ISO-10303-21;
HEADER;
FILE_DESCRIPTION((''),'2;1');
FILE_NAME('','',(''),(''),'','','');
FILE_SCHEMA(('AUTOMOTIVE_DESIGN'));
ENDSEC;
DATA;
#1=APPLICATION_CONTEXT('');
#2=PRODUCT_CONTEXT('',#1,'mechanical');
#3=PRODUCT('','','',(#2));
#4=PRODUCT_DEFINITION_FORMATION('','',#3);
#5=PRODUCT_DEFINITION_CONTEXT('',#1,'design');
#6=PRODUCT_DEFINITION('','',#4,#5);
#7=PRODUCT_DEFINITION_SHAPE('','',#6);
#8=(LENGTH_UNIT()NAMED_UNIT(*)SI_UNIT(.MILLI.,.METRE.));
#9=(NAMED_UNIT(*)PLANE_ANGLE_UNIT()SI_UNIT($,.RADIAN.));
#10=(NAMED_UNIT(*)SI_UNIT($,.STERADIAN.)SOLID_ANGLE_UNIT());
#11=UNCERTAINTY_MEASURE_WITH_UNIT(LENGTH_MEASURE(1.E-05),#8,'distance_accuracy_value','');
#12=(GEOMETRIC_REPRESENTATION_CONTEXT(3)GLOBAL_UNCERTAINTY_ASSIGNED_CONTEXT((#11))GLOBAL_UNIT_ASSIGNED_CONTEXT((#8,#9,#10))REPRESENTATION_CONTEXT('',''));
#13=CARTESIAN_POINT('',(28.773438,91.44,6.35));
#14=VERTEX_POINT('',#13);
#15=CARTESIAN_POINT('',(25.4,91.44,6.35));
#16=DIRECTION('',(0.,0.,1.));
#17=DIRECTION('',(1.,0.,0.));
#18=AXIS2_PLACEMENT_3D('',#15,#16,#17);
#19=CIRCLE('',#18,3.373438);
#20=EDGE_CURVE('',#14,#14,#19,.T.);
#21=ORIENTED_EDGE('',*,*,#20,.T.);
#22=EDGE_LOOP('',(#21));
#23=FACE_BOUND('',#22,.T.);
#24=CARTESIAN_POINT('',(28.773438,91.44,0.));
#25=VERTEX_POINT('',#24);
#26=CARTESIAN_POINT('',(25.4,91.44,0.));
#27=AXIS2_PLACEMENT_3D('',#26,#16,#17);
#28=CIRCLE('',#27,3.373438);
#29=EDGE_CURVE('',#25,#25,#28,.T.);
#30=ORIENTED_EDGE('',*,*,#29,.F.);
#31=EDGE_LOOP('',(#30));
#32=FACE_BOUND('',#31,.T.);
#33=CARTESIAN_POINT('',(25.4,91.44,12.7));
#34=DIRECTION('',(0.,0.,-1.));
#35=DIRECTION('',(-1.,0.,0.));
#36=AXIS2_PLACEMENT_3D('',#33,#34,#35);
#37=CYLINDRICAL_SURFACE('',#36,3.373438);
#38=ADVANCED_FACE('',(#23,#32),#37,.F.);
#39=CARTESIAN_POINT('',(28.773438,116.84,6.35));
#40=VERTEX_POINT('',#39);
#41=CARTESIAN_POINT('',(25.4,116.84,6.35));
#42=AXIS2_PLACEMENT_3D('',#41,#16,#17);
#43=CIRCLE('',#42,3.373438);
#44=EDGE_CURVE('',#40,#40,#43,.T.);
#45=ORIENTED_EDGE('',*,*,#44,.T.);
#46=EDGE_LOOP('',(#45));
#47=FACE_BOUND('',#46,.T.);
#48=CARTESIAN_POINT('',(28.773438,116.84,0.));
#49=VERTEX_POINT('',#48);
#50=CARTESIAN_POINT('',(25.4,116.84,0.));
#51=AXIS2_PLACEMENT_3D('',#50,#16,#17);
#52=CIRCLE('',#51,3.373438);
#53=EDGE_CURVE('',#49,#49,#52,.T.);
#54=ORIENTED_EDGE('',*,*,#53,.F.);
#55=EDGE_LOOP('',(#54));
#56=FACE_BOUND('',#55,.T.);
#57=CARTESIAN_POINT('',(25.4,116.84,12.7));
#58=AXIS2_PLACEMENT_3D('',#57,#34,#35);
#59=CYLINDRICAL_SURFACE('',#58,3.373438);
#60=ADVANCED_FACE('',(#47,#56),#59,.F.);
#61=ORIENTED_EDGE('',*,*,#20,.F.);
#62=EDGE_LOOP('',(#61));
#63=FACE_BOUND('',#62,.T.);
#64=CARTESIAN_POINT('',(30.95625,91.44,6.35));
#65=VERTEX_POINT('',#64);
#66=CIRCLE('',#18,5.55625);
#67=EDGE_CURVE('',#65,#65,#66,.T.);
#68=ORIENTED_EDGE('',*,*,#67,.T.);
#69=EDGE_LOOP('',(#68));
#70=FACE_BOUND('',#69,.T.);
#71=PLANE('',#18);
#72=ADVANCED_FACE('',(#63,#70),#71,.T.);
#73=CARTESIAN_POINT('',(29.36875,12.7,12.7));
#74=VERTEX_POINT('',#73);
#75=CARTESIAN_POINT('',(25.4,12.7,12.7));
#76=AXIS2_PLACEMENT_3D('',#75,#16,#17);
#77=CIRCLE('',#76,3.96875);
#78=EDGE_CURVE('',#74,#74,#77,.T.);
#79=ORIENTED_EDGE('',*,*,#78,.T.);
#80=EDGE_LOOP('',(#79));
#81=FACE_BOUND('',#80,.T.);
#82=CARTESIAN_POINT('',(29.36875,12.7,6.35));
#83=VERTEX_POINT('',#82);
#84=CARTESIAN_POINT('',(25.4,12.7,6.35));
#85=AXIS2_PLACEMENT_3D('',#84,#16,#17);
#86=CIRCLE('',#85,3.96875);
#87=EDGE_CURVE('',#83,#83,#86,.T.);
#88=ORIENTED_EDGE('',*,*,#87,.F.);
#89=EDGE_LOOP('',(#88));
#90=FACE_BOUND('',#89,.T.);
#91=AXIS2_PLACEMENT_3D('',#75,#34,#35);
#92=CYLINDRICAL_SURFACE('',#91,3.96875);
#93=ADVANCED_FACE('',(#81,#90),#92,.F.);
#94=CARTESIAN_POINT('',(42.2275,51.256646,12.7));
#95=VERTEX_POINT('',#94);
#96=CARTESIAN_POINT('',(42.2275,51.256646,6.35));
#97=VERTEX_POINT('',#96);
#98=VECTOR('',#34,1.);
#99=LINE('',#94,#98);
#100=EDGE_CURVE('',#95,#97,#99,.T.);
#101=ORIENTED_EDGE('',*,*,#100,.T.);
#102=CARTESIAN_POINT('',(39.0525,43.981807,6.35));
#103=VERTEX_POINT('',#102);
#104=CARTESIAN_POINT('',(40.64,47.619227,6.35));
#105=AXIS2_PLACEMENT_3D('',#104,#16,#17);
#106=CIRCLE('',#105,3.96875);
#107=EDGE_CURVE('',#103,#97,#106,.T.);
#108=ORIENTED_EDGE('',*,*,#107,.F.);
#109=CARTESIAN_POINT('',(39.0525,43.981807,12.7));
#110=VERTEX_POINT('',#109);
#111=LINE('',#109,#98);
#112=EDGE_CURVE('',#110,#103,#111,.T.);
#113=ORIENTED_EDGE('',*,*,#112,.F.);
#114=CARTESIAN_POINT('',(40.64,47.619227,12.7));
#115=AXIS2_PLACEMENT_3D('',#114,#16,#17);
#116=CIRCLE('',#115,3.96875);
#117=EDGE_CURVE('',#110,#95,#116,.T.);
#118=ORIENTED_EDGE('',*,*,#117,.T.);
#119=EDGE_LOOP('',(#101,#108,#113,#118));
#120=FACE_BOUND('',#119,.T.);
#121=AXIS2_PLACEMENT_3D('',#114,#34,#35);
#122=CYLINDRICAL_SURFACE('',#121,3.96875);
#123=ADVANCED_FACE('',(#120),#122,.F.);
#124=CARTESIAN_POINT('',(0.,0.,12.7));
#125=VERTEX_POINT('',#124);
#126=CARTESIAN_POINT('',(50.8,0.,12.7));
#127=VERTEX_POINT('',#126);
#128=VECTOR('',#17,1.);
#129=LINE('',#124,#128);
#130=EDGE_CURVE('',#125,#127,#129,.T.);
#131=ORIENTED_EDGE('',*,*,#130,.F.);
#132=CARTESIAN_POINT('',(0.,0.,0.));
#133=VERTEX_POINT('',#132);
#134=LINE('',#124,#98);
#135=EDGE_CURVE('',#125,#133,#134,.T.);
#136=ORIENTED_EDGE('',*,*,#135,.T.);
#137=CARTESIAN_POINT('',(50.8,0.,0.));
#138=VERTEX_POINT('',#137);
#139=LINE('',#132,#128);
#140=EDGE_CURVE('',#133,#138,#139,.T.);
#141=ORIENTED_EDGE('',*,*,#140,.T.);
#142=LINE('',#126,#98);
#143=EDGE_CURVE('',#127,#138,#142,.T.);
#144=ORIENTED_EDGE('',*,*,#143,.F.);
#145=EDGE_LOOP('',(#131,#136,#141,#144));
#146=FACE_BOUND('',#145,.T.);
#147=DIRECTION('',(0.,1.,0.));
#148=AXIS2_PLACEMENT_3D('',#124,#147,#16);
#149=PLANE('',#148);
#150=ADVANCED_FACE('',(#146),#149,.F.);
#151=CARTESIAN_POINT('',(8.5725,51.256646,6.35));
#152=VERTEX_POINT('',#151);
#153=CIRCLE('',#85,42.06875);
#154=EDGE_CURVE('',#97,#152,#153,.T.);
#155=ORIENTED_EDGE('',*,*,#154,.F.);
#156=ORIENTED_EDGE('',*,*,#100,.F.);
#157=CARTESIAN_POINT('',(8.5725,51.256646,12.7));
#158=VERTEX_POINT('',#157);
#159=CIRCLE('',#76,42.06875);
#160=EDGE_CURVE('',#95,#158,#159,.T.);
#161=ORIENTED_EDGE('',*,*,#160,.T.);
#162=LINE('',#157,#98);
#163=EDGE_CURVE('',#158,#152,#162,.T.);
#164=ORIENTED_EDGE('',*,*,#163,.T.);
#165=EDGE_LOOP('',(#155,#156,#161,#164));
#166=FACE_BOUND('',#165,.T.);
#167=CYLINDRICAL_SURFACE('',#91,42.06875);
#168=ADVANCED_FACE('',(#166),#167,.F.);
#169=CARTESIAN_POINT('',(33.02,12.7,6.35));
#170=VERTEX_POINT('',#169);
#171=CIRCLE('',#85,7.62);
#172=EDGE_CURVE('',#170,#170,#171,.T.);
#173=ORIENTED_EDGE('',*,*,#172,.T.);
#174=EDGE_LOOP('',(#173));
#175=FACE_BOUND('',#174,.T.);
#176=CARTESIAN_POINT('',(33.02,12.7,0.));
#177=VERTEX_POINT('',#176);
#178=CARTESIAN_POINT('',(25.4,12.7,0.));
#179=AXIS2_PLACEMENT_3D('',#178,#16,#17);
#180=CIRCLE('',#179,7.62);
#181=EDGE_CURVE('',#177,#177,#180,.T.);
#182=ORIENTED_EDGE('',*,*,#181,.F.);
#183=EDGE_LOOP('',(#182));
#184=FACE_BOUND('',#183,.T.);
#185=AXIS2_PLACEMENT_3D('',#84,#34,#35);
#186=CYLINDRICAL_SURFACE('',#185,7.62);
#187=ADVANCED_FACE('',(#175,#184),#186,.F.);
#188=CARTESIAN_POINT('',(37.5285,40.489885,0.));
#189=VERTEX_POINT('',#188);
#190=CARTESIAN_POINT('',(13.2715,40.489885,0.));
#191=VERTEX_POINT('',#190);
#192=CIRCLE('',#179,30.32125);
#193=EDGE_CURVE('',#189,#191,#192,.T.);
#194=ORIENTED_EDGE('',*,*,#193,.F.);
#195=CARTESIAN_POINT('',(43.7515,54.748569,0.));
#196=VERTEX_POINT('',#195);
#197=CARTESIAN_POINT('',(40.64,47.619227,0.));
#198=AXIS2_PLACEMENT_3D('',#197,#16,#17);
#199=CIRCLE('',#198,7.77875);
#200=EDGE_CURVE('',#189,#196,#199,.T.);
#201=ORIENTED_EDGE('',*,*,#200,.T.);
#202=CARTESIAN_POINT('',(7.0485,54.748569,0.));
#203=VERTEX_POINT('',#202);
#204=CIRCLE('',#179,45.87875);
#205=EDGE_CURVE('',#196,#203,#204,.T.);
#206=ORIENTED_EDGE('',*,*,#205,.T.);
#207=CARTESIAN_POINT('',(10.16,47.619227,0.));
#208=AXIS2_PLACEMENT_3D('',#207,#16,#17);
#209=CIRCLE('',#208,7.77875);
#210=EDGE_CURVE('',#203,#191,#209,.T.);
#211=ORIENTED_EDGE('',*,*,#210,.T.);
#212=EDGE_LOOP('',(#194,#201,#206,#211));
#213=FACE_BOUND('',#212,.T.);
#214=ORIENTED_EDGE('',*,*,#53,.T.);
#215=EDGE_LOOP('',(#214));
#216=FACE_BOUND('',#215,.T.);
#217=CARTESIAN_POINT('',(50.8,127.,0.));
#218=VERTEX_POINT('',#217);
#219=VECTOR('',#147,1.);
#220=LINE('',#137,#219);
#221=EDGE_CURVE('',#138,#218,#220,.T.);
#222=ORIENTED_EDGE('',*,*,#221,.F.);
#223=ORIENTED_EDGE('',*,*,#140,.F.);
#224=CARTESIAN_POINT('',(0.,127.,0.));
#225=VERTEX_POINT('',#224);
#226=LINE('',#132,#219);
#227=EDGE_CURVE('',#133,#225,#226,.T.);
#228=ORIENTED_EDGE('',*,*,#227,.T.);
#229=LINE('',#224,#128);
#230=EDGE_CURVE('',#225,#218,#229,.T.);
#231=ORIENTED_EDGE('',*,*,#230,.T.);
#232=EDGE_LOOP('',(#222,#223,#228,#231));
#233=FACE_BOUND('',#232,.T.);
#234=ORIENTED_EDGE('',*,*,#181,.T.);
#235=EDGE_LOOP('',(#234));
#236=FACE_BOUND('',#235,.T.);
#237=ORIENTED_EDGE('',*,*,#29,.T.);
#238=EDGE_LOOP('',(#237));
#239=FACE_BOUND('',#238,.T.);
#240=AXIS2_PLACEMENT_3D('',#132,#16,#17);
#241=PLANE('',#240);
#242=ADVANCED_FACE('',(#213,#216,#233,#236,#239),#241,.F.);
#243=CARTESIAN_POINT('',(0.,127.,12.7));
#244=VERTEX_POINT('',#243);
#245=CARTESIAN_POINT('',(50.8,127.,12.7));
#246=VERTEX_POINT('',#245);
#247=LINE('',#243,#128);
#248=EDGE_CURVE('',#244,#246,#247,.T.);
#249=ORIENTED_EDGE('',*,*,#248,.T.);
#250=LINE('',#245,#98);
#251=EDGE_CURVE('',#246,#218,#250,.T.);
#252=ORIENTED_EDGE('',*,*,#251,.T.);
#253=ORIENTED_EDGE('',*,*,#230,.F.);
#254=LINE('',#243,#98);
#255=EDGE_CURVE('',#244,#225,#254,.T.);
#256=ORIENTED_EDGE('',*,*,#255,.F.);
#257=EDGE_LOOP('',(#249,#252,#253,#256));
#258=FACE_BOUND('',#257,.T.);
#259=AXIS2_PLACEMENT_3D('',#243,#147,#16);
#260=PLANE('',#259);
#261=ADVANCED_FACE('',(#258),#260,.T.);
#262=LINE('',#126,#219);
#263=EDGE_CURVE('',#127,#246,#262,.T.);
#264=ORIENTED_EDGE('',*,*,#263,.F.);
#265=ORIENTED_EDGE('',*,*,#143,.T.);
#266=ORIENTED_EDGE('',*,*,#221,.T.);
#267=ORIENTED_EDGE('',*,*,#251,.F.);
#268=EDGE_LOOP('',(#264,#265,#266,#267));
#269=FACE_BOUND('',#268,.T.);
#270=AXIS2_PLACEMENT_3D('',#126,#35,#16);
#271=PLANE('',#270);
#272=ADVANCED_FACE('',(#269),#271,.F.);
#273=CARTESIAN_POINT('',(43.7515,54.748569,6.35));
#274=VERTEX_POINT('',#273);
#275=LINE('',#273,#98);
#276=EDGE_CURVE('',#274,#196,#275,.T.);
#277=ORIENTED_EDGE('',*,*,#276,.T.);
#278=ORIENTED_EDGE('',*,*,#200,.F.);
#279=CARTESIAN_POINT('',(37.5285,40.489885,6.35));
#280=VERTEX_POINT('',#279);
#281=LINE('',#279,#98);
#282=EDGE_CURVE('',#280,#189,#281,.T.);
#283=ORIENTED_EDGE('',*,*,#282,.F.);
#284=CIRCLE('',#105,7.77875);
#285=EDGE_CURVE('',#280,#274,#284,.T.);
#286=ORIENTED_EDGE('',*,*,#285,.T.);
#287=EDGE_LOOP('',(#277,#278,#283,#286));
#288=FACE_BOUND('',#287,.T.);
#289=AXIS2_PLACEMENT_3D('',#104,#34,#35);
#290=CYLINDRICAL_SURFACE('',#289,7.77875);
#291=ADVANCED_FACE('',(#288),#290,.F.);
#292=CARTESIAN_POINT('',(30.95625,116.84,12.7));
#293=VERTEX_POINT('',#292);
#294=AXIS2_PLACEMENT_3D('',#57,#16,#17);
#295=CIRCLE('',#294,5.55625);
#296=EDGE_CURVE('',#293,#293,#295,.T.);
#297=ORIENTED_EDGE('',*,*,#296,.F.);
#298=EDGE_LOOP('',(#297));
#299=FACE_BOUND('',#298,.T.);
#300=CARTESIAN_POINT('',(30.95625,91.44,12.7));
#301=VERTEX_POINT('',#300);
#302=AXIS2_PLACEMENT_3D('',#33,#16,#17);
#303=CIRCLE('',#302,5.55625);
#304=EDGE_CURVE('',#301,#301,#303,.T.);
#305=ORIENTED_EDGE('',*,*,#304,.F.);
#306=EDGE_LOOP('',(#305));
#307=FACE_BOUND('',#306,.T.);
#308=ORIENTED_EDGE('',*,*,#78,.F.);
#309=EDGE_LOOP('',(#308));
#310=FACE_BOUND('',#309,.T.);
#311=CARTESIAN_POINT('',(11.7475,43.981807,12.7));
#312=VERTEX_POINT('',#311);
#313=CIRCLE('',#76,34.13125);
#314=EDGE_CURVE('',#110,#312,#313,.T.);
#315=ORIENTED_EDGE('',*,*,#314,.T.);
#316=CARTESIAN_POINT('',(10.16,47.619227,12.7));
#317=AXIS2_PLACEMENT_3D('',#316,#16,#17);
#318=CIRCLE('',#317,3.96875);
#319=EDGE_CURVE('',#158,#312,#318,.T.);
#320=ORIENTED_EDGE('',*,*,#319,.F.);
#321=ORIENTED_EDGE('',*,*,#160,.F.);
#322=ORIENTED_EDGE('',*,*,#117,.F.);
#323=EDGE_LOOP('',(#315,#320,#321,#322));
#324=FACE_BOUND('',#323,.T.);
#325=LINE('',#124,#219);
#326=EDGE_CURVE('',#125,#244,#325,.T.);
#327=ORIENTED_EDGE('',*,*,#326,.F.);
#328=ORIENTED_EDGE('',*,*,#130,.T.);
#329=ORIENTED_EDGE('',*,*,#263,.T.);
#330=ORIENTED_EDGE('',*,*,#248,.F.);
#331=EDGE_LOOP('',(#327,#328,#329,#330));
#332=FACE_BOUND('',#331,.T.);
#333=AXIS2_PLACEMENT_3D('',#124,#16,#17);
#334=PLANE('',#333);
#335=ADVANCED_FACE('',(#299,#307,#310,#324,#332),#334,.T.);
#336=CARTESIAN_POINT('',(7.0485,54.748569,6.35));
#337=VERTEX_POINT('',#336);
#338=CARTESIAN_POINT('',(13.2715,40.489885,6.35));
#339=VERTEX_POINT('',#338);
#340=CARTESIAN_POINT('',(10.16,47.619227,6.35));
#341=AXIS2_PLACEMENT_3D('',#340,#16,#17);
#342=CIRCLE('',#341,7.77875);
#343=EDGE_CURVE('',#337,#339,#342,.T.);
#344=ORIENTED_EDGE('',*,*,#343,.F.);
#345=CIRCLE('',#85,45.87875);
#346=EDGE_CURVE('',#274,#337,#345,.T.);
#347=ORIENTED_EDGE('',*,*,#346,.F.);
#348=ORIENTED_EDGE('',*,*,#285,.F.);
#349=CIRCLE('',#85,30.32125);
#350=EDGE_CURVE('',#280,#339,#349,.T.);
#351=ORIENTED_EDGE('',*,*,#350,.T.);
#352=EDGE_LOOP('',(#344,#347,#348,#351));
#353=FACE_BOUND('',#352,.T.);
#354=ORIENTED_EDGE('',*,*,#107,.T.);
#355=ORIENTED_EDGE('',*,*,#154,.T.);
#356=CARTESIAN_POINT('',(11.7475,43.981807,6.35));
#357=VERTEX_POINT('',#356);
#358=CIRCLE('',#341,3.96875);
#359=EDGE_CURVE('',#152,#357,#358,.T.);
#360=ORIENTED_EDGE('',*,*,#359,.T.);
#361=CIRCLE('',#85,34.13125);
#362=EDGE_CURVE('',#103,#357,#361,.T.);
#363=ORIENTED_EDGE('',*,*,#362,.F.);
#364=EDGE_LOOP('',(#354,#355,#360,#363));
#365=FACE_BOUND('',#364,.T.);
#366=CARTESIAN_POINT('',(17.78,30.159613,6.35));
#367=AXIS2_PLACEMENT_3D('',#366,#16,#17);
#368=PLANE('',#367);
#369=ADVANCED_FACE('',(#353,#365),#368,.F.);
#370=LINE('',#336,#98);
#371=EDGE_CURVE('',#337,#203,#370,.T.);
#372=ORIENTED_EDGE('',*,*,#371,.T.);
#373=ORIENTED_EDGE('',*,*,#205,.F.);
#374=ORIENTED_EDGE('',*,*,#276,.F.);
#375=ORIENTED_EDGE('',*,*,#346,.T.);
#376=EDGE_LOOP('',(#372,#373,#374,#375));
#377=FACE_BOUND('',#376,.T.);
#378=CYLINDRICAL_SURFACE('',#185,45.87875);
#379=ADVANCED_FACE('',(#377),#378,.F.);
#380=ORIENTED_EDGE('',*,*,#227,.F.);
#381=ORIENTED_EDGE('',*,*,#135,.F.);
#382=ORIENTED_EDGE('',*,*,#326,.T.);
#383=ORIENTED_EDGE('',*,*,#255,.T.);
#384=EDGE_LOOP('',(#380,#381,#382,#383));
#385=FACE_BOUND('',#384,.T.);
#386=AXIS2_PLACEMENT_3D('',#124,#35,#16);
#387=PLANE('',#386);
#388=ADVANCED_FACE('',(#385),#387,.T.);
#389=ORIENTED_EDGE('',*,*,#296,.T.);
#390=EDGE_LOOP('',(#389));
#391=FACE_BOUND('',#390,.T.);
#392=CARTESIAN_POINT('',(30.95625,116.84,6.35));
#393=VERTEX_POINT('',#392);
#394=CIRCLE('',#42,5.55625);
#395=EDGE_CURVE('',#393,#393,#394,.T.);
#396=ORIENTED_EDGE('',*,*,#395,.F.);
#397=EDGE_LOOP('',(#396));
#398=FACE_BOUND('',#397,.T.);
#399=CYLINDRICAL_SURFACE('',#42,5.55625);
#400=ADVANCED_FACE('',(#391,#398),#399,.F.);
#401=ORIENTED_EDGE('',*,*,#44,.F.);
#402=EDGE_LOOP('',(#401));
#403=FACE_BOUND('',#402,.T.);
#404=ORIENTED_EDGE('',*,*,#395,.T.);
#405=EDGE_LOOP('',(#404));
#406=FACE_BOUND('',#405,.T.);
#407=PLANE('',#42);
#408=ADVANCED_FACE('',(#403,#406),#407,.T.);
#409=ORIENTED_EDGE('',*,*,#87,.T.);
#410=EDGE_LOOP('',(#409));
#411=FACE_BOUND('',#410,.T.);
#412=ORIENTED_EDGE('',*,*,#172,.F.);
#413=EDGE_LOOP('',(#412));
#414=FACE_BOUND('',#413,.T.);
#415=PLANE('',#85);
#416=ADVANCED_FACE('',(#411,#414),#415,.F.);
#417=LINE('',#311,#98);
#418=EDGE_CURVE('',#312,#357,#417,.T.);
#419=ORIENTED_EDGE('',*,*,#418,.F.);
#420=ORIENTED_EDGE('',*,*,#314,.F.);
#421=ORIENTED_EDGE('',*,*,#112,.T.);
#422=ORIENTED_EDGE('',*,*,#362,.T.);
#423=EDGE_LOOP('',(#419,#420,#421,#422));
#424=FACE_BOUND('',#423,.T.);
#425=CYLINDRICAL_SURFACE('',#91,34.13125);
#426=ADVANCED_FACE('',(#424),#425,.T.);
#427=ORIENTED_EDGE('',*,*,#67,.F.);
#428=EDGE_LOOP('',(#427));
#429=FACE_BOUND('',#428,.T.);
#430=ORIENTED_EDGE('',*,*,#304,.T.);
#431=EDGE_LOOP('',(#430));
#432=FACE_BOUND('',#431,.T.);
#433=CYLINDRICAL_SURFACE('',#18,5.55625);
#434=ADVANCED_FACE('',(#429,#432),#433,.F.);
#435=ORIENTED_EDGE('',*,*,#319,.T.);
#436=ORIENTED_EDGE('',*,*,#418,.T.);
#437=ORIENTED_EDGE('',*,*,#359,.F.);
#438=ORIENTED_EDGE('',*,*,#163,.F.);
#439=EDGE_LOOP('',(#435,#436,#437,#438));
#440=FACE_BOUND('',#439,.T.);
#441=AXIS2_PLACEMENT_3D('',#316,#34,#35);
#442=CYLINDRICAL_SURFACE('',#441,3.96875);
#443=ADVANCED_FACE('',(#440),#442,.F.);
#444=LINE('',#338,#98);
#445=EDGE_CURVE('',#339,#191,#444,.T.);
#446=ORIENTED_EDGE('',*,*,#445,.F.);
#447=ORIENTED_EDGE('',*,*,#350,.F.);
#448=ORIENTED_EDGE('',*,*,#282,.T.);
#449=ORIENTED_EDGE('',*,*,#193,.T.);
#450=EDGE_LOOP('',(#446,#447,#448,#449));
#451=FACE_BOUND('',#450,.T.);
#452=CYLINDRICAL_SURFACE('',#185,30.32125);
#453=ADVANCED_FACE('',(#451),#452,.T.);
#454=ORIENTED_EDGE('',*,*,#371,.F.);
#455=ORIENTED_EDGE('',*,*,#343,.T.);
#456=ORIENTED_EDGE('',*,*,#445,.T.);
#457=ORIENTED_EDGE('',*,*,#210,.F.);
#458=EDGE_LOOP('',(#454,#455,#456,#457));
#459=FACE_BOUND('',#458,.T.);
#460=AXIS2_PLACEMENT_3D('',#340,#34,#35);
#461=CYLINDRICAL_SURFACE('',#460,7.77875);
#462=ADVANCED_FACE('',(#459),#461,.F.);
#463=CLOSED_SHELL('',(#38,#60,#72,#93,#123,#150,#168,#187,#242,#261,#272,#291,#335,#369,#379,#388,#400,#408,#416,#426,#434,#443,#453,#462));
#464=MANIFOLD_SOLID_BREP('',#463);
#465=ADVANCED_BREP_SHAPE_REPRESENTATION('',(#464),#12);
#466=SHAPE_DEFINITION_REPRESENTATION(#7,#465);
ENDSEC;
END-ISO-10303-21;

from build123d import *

# Parameters (mm, degrees)
SKETCH1_W           = 50.8
SKETCH1_H           = 127
SKETCH1_R           = 3.96875
SKETCH1_R_2         = 3.3734375
BOSS_EXTRUDE2_DEPTH = 12.7
CUT_EXTRUDE1_DEPTH  = 6.35
CUT_EXTRUDE2_START  = -12.7
SKETCH3_R           = 5.55625
CUT_EXTRUDE2_DEPTH  = 6.35
CUT_EXTRUDE3_START  = -12.7
SKETCH4_R           = 7.62
CUT_EXTRUDE3_DEPTH  = 6.35


with BuildPart() as part:
    # Sketch1 → Boss-Extrude2 (new body)
    with BuildSketch(Plane.XY):
        with Locations((25.4, 63.5)):
            Rectangle(SKETCH1_W, SKETCH1_H)
        with Locations((25.4, 12.7)):
            Circle(SKETCH1_R, mode=Mode.SUBTRACT)
        with Locations((25.4, 116.84)):
            Circle(SKETCH1_R_2, mode=Mode.SUBTRACT)
        with Locations((25.4, 91.44)):
            Circle(SKETCH1_R_2, mode=Mode.SUBTRACT)
        with BuildLine():
            ThreePointArc((42.2275, 51.256646253), (25.4, 54.76875), (8.5725, 51.256646253))
            ThreePointArc((8.5725, 51.256646253), (6.522580542, 46.031726796), (11.7475, 43.981807338))
            ThreePointArc((11.7475, 43.981807338), (25.4, 46.83125), (39.0525, 43.981807338))
            ThreePointArc((39.0525, 43.981807338), (44.277419458, 46.031726796), (42.2275, 51.256646253))
        make_face(mode=Mode.SUBTRACT)
    extrude(amount=BOSS_EXTRUDE2_DEPTH)

    # Sketch1<3> → Cut-Extrude1 (cut)
    with BuildSketch(Plane.XY):
        with BuildLine():
            ThreePointArc((37.5285, 40.489884658), (25.4, 43.02125), (13.2715, 40.489884658))
            ThreePointArc((13.2715, 40.489884658), (3.030657863, 44.507726796), (7.0485, 54.748568933))
            ThreePointArc((7.0485, 54.748568933), (25.4, 58.57875), (43.7515, 54.748568933))
            ThreePointArc((43.7515, 54.748568933), (47.769342137, 44.507726796), (37.5285, 40.489884658))
        make_face()
        with BuildLine():
            ThreePointArc((39.0525, 43.981807338), (44.277419458, 46.031726796), (42.2275, 51.256646253))
            ThreePointArc((42.2275, 51.256646253), (25.4, 54.76875), (8.5725, 51.256646253))
            ThreePointArc((8.5725, 51.256646253), (6.522580542, 46.031726796), (11.7475, 43.981807338))
            ThreePointArc((11.7475, 43.981807338), (25.4, 46.83125), (39.0525, 43.981807338))
        make_face(mode=Mode.SUBTRACT)
    extrude(amount=CUT_EXTRUDE1_DEPTH, mode=Mode.SUBTRACT)

    # Sketch3 → Cut-Extrude2 (cut)
    with BuildSketch(Plane(origin=(0, 0, 0), x_dir=(-1, 0, 0), z_dir=(0, 0, -1)).offset(CUT_EXTRUDE2_START)):
        with Locations(Location((-25.4, 116.84, 0), (0, 0, 180))):
            Circle(SKETCH3_R)
        with Locations(Location((-25.4, 91.44, 0), (0, 0, 180))):
            Circle(SKETCH3_R)
    extrude(amount=CUT_EXTRUDE2_DEPTH, mode=Mode.SUBTRACT)

    # Sketch4 → Cut-Extrude3 (cut)
    with BuildSketch(Plane.XY.offset(12.7).offset(CUT_EXTRUDE3_START)):
        with Locations((25.4, 12.7)):
            Circle(SKETCH4_R)
    extrude(amount=CUT_EXTRUDE3_DEPTH, mode=Mode.SUBTRACT)


solid = part.part
